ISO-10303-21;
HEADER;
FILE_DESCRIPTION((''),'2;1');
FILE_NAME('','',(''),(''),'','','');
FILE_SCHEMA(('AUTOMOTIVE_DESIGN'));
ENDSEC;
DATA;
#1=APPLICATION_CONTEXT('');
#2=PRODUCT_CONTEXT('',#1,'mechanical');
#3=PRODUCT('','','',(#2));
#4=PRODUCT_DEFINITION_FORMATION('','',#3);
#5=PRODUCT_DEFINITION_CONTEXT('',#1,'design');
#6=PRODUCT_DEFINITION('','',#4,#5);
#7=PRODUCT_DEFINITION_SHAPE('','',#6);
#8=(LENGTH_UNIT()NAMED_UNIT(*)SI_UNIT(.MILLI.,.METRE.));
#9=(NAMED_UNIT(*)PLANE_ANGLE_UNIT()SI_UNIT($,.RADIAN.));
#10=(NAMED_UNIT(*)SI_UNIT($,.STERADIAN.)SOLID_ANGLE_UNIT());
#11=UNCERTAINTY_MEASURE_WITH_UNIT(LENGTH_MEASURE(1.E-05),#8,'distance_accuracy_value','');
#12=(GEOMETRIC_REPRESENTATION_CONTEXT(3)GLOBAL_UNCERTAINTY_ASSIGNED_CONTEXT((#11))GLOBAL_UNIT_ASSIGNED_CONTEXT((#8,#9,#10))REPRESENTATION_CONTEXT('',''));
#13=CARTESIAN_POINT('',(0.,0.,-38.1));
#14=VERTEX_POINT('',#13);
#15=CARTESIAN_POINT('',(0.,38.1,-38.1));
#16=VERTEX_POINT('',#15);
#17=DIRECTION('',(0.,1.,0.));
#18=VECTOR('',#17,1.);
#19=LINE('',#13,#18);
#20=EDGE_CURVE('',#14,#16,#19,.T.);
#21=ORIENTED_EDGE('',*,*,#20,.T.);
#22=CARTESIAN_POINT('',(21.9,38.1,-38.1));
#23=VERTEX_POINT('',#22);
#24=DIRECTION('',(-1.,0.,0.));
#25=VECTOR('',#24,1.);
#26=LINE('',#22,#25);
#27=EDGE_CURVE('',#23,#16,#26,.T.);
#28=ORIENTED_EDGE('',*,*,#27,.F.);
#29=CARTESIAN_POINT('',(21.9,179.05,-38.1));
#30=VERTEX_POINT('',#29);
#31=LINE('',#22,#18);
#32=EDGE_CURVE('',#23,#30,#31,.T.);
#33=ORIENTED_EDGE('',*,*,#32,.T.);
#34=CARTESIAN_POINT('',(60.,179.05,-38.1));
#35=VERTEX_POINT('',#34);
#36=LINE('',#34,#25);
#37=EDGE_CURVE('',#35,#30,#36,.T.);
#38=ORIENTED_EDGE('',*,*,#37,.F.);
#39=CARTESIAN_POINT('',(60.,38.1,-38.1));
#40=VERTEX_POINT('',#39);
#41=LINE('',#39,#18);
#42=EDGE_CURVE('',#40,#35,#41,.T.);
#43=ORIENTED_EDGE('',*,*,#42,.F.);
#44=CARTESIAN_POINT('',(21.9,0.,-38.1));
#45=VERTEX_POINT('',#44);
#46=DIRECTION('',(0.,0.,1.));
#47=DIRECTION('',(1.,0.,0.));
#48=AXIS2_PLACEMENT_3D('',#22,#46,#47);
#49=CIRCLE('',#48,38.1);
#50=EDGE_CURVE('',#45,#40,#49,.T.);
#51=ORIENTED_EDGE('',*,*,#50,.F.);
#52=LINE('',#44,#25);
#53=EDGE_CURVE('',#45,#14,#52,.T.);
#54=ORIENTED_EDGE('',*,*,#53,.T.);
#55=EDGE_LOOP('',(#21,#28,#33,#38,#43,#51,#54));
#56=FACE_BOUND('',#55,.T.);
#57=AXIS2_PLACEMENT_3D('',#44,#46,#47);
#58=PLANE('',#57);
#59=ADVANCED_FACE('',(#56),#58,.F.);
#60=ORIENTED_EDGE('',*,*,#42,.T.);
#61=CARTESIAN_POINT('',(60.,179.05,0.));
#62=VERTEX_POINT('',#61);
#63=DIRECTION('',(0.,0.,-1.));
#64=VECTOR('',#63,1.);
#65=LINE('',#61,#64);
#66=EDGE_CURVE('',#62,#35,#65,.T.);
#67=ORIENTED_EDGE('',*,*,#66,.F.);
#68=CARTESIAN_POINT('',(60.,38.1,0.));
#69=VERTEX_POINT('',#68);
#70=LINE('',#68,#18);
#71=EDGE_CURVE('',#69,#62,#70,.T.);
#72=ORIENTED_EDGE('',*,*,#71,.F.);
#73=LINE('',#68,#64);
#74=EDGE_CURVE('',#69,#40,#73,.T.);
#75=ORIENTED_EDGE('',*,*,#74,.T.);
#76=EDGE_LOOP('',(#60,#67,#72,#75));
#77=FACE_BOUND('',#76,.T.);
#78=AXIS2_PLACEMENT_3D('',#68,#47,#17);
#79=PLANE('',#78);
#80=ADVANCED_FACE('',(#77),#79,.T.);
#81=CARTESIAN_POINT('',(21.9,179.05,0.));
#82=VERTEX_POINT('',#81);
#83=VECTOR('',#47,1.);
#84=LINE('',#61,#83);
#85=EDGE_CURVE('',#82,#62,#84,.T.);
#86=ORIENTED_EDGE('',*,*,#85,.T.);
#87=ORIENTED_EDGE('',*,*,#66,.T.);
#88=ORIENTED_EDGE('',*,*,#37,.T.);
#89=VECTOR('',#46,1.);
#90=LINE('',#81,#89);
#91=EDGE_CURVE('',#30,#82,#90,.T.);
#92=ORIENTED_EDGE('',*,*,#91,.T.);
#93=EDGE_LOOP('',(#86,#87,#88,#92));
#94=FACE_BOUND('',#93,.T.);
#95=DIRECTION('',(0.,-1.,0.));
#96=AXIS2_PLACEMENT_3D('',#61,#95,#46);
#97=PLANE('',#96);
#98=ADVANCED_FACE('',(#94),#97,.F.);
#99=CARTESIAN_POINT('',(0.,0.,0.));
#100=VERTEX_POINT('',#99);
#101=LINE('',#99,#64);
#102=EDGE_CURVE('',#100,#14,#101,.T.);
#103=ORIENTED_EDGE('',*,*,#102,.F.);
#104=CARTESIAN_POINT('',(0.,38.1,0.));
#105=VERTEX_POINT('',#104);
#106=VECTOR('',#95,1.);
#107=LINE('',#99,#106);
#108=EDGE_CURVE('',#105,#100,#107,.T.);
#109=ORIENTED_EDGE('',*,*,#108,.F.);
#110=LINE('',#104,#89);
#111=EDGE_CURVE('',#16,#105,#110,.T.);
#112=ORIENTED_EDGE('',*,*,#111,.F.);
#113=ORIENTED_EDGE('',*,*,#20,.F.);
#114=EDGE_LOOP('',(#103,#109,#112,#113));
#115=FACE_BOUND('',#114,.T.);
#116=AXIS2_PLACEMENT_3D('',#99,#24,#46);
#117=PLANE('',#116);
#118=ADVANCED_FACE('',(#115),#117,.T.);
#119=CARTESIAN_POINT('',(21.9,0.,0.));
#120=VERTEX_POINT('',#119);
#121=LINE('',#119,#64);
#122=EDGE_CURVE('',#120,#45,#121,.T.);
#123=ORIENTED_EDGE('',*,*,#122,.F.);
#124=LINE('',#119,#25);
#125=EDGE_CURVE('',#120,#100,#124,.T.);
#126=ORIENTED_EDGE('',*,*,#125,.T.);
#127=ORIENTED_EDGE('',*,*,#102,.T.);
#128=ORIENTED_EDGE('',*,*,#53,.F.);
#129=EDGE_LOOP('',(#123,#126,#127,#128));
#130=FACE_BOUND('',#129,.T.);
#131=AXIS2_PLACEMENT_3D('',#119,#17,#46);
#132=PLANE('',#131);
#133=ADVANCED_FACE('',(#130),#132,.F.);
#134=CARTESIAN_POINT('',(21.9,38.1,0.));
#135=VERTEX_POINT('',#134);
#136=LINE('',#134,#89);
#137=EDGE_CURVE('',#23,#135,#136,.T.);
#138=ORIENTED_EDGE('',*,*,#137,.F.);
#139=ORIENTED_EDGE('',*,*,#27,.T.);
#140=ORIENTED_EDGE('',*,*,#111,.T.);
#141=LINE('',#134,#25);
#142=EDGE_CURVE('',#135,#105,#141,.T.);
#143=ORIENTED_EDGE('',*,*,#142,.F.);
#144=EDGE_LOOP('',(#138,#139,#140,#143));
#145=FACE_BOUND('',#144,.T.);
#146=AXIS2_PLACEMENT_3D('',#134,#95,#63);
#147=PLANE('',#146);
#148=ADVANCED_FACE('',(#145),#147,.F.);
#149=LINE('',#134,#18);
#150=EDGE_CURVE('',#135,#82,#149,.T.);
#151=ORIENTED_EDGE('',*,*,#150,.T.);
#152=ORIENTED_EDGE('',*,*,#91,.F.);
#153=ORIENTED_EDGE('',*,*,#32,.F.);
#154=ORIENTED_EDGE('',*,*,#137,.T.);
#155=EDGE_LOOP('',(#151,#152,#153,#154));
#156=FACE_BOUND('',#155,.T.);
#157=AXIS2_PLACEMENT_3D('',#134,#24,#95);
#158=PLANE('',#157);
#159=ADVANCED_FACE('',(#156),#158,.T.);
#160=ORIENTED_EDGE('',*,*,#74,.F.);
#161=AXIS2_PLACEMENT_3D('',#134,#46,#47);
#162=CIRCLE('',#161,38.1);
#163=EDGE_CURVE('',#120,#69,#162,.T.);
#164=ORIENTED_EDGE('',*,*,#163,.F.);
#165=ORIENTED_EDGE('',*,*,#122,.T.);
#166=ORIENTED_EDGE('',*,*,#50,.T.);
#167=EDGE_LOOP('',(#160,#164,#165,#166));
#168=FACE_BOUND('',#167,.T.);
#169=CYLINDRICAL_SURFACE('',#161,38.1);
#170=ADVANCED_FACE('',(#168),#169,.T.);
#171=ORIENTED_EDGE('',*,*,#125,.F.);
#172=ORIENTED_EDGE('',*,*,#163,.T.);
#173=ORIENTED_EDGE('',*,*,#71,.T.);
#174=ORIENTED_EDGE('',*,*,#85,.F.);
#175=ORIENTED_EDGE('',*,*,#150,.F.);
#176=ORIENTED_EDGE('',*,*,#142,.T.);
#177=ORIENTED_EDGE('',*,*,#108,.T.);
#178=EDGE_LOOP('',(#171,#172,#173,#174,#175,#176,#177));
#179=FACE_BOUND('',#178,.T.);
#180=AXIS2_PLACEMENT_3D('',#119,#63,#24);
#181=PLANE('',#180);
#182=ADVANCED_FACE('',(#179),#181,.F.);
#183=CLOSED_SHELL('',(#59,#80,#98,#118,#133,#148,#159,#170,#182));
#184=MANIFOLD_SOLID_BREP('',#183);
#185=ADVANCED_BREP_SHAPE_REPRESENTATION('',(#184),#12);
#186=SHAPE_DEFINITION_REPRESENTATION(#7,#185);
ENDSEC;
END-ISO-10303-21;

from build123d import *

# Parameters (mm, degrees)
SKETCH1_W   = 38.1
SKETCH1_H   = 38.1
SKETCH1_W_2 = 31.75
SKETCH1_H_2 = 31.75
SKETCH3_W   = 31.75
SKETCH3_H   = 31.75


with BuildPart() as part:
    # Sweep1: sweep along a path in Sketch2
    with BuildLine(Plane.XY) as sweep1_path:
        Line((40.95, 179.05), (40.95, 38.1))
        ThreePointArc((40.95, 38.1), (35.370384182, 24.629615818), (21.9, 19.05))
        Line((21.9, 19.05), (0, 19.05))
    # Sketch1 → Sweep1 (sweep)
    with BuildSketch(Plane(origin=(0, 0, 0), x_dir=(0, 0, -1), z_dir=(1, 0, 0))):
        with Locations((19.05, 19.05)):
            Rectangle(SKETCH1_W, SKETCH1_H)
        with Locations((19.05, 19.05)):
            Rectangle(SKETCH1_W_2, SKETCH1_H_2, mode=Mode.SUBTRACT)
    sweep(path=sweep1_path.line)

    # Sweep2: sweep along a path in Sketch2<2>
    with BuildLine(Plane.XY) as sweep2_path:
        Line((40.95, 179.05), (40.95, 38.1))
        ThreePointArc((40.95, 38.1), (35.370384182, 24.629615818), (21.9, 19.05))
        Line((21.9, 19.05), (0, 19.05))
    # Sketch3 → Sweep2 (sweep)
    with BuildSketch(Plane(origin=(0, 179.05, 0), x_dir=(1, 0, 0), z_dir=(0, 1, 0))):
        with Locations((40.95, 19.05)):
            Rectangle(SKETCH3_W, SKETCH3_H)
    sweep(path=sweep2_path.line)


solid = part.part
